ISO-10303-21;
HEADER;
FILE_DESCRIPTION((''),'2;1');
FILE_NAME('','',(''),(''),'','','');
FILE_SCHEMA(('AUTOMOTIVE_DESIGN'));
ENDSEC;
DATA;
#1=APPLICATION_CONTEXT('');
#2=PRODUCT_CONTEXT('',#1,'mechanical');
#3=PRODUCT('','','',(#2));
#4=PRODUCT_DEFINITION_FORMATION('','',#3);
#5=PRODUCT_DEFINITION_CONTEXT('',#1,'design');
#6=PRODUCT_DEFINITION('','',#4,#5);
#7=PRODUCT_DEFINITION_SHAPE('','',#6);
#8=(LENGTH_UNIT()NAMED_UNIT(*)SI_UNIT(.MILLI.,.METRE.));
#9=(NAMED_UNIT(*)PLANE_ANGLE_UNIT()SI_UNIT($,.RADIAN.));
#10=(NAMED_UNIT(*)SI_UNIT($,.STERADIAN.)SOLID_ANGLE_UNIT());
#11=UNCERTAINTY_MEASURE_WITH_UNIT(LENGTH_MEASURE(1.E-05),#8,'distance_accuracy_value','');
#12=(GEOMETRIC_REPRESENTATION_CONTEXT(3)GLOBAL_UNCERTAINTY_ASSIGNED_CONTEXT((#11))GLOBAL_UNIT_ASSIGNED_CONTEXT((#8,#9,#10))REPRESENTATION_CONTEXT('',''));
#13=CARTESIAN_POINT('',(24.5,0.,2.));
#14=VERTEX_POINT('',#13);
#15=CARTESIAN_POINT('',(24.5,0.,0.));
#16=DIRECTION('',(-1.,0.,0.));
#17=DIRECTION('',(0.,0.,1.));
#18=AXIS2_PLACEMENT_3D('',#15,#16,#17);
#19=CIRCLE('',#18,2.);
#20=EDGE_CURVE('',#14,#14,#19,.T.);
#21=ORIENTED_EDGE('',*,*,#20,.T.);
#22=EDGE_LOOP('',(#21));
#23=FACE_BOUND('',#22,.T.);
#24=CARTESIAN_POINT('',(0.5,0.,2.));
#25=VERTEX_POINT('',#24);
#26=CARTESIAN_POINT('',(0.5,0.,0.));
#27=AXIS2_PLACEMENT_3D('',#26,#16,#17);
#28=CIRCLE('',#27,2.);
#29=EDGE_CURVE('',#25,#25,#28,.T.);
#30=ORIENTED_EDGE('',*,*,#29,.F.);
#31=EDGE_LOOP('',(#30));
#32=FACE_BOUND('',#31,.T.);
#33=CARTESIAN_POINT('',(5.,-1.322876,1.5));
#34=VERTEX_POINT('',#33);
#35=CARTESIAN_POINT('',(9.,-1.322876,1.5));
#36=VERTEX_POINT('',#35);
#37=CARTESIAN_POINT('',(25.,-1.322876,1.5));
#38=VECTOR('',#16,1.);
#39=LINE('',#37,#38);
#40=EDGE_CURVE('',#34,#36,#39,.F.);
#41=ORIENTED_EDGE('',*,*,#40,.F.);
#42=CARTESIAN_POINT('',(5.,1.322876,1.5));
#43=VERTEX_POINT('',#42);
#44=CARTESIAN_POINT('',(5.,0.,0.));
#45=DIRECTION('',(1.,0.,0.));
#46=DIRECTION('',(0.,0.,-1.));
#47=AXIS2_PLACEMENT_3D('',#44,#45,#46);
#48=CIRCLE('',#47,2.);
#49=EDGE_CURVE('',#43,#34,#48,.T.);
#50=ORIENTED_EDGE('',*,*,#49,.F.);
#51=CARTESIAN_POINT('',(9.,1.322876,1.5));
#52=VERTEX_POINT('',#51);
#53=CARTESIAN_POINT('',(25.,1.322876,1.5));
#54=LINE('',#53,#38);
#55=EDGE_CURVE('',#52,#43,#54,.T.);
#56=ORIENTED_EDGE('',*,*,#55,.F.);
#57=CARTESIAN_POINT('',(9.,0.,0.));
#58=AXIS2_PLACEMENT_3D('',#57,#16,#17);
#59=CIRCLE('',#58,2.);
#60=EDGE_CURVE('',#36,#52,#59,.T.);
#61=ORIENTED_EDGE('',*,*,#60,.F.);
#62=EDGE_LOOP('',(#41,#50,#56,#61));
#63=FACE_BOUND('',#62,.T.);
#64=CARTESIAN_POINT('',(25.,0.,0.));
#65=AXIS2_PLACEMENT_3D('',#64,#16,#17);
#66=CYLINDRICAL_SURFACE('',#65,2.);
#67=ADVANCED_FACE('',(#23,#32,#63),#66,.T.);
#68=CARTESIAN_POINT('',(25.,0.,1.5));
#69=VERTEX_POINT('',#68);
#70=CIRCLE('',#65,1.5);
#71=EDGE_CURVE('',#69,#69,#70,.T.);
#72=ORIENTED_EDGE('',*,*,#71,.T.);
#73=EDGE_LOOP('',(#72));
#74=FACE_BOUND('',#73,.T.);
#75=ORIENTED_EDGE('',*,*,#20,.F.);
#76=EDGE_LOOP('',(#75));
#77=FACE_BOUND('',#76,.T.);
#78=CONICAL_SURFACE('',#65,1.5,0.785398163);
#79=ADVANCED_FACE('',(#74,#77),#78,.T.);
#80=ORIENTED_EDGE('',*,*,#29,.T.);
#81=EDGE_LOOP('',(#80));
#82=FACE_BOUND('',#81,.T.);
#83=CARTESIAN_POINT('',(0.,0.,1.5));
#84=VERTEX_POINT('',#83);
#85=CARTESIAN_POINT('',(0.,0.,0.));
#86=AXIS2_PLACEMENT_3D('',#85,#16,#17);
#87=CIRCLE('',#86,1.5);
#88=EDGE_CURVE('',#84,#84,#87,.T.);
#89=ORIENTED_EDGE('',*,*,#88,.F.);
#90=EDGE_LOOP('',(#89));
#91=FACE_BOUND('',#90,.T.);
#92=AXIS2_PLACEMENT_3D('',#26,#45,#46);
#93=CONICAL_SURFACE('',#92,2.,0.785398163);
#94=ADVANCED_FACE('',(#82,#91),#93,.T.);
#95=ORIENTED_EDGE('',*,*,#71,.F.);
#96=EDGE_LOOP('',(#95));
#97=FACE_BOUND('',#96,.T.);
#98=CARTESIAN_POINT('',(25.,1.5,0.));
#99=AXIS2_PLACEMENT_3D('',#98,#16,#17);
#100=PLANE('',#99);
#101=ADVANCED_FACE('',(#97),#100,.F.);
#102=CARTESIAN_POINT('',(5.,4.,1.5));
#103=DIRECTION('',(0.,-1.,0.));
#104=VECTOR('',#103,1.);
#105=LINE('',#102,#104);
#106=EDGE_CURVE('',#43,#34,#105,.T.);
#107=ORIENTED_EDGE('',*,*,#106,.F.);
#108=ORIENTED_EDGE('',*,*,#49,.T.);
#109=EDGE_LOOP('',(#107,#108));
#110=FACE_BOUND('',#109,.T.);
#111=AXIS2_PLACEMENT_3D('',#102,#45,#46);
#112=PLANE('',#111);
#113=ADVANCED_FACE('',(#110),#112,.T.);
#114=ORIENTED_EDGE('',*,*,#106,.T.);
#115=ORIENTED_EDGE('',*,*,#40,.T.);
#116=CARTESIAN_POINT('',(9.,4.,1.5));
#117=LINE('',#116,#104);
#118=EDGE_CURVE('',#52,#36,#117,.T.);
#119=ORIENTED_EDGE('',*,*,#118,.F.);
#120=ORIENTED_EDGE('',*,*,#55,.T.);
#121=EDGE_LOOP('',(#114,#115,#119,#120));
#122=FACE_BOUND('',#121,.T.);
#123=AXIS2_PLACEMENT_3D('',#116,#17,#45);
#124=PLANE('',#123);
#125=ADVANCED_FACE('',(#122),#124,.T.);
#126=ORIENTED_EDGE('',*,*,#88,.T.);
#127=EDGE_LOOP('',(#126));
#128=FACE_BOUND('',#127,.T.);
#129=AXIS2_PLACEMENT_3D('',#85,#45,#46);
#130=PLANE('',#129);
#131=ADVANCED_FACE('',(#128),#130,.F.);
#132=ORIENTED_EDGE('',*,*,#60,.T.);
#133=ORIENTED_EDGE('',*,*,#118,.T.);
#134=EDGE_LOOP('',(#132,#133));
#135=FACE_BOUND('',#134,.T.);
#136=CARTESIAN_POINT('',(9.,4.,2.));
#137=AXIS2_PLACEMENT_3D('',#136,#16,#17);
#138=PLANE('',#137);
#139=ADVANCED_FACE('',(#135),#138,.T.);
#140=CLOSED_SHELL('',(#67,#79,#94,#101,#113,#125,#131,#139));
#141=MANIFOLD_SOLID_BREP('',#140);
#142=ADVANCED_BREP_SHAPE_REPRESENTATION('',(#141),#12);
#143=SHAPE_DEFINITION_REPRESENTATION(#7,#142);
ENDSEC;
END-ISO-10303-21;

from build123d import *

# Parameters (mm, degrees)
ENL_V_MAT_EXTRU_1_DEPTH      = 4
ENL_V_MAT_EXTRU_1_DEPTH_BACK = 4
ESQUISSE2_W                  = 4
ESQUISSE2_H                  = 0.5


with BuildPart() as part:
    # Esquisse1 → Révolution1 (revolve)
    with BuildSketch(Plane.XY):
        Polygon((0, 0), (0, 1.5), (0.5, 2), (24.5, 2), (25, 1.5), (25, 0), align=None)
    revolve(axis=Axis((25, 0, 0), (-1, 0, 0)))

    # Esquisse2 → Enlèv. mat.-Extru.1 (cut, two sides: drawn at the far end of the back side and taken through both)
    with BuildSketch(Plane(origin=(0, 0, 0), x_dir=(1, 0, 0), z_dir=(0, 1, 0)).offset(-ENL_V_MAT_EXTRU_1_DEPTH_BACK)):
        with Locations((7, -1.75)):
            Rectangle(ESQUISSE2_W, ESQUISSE2_H)
    extrude(amount=ENL_V_MAT_EXTRU_1_DEPTH + ENL_V_MAT_EXTRU_1_DEPTH_BACK, mode=Mode.SUBTRACT)


solid = part.part
